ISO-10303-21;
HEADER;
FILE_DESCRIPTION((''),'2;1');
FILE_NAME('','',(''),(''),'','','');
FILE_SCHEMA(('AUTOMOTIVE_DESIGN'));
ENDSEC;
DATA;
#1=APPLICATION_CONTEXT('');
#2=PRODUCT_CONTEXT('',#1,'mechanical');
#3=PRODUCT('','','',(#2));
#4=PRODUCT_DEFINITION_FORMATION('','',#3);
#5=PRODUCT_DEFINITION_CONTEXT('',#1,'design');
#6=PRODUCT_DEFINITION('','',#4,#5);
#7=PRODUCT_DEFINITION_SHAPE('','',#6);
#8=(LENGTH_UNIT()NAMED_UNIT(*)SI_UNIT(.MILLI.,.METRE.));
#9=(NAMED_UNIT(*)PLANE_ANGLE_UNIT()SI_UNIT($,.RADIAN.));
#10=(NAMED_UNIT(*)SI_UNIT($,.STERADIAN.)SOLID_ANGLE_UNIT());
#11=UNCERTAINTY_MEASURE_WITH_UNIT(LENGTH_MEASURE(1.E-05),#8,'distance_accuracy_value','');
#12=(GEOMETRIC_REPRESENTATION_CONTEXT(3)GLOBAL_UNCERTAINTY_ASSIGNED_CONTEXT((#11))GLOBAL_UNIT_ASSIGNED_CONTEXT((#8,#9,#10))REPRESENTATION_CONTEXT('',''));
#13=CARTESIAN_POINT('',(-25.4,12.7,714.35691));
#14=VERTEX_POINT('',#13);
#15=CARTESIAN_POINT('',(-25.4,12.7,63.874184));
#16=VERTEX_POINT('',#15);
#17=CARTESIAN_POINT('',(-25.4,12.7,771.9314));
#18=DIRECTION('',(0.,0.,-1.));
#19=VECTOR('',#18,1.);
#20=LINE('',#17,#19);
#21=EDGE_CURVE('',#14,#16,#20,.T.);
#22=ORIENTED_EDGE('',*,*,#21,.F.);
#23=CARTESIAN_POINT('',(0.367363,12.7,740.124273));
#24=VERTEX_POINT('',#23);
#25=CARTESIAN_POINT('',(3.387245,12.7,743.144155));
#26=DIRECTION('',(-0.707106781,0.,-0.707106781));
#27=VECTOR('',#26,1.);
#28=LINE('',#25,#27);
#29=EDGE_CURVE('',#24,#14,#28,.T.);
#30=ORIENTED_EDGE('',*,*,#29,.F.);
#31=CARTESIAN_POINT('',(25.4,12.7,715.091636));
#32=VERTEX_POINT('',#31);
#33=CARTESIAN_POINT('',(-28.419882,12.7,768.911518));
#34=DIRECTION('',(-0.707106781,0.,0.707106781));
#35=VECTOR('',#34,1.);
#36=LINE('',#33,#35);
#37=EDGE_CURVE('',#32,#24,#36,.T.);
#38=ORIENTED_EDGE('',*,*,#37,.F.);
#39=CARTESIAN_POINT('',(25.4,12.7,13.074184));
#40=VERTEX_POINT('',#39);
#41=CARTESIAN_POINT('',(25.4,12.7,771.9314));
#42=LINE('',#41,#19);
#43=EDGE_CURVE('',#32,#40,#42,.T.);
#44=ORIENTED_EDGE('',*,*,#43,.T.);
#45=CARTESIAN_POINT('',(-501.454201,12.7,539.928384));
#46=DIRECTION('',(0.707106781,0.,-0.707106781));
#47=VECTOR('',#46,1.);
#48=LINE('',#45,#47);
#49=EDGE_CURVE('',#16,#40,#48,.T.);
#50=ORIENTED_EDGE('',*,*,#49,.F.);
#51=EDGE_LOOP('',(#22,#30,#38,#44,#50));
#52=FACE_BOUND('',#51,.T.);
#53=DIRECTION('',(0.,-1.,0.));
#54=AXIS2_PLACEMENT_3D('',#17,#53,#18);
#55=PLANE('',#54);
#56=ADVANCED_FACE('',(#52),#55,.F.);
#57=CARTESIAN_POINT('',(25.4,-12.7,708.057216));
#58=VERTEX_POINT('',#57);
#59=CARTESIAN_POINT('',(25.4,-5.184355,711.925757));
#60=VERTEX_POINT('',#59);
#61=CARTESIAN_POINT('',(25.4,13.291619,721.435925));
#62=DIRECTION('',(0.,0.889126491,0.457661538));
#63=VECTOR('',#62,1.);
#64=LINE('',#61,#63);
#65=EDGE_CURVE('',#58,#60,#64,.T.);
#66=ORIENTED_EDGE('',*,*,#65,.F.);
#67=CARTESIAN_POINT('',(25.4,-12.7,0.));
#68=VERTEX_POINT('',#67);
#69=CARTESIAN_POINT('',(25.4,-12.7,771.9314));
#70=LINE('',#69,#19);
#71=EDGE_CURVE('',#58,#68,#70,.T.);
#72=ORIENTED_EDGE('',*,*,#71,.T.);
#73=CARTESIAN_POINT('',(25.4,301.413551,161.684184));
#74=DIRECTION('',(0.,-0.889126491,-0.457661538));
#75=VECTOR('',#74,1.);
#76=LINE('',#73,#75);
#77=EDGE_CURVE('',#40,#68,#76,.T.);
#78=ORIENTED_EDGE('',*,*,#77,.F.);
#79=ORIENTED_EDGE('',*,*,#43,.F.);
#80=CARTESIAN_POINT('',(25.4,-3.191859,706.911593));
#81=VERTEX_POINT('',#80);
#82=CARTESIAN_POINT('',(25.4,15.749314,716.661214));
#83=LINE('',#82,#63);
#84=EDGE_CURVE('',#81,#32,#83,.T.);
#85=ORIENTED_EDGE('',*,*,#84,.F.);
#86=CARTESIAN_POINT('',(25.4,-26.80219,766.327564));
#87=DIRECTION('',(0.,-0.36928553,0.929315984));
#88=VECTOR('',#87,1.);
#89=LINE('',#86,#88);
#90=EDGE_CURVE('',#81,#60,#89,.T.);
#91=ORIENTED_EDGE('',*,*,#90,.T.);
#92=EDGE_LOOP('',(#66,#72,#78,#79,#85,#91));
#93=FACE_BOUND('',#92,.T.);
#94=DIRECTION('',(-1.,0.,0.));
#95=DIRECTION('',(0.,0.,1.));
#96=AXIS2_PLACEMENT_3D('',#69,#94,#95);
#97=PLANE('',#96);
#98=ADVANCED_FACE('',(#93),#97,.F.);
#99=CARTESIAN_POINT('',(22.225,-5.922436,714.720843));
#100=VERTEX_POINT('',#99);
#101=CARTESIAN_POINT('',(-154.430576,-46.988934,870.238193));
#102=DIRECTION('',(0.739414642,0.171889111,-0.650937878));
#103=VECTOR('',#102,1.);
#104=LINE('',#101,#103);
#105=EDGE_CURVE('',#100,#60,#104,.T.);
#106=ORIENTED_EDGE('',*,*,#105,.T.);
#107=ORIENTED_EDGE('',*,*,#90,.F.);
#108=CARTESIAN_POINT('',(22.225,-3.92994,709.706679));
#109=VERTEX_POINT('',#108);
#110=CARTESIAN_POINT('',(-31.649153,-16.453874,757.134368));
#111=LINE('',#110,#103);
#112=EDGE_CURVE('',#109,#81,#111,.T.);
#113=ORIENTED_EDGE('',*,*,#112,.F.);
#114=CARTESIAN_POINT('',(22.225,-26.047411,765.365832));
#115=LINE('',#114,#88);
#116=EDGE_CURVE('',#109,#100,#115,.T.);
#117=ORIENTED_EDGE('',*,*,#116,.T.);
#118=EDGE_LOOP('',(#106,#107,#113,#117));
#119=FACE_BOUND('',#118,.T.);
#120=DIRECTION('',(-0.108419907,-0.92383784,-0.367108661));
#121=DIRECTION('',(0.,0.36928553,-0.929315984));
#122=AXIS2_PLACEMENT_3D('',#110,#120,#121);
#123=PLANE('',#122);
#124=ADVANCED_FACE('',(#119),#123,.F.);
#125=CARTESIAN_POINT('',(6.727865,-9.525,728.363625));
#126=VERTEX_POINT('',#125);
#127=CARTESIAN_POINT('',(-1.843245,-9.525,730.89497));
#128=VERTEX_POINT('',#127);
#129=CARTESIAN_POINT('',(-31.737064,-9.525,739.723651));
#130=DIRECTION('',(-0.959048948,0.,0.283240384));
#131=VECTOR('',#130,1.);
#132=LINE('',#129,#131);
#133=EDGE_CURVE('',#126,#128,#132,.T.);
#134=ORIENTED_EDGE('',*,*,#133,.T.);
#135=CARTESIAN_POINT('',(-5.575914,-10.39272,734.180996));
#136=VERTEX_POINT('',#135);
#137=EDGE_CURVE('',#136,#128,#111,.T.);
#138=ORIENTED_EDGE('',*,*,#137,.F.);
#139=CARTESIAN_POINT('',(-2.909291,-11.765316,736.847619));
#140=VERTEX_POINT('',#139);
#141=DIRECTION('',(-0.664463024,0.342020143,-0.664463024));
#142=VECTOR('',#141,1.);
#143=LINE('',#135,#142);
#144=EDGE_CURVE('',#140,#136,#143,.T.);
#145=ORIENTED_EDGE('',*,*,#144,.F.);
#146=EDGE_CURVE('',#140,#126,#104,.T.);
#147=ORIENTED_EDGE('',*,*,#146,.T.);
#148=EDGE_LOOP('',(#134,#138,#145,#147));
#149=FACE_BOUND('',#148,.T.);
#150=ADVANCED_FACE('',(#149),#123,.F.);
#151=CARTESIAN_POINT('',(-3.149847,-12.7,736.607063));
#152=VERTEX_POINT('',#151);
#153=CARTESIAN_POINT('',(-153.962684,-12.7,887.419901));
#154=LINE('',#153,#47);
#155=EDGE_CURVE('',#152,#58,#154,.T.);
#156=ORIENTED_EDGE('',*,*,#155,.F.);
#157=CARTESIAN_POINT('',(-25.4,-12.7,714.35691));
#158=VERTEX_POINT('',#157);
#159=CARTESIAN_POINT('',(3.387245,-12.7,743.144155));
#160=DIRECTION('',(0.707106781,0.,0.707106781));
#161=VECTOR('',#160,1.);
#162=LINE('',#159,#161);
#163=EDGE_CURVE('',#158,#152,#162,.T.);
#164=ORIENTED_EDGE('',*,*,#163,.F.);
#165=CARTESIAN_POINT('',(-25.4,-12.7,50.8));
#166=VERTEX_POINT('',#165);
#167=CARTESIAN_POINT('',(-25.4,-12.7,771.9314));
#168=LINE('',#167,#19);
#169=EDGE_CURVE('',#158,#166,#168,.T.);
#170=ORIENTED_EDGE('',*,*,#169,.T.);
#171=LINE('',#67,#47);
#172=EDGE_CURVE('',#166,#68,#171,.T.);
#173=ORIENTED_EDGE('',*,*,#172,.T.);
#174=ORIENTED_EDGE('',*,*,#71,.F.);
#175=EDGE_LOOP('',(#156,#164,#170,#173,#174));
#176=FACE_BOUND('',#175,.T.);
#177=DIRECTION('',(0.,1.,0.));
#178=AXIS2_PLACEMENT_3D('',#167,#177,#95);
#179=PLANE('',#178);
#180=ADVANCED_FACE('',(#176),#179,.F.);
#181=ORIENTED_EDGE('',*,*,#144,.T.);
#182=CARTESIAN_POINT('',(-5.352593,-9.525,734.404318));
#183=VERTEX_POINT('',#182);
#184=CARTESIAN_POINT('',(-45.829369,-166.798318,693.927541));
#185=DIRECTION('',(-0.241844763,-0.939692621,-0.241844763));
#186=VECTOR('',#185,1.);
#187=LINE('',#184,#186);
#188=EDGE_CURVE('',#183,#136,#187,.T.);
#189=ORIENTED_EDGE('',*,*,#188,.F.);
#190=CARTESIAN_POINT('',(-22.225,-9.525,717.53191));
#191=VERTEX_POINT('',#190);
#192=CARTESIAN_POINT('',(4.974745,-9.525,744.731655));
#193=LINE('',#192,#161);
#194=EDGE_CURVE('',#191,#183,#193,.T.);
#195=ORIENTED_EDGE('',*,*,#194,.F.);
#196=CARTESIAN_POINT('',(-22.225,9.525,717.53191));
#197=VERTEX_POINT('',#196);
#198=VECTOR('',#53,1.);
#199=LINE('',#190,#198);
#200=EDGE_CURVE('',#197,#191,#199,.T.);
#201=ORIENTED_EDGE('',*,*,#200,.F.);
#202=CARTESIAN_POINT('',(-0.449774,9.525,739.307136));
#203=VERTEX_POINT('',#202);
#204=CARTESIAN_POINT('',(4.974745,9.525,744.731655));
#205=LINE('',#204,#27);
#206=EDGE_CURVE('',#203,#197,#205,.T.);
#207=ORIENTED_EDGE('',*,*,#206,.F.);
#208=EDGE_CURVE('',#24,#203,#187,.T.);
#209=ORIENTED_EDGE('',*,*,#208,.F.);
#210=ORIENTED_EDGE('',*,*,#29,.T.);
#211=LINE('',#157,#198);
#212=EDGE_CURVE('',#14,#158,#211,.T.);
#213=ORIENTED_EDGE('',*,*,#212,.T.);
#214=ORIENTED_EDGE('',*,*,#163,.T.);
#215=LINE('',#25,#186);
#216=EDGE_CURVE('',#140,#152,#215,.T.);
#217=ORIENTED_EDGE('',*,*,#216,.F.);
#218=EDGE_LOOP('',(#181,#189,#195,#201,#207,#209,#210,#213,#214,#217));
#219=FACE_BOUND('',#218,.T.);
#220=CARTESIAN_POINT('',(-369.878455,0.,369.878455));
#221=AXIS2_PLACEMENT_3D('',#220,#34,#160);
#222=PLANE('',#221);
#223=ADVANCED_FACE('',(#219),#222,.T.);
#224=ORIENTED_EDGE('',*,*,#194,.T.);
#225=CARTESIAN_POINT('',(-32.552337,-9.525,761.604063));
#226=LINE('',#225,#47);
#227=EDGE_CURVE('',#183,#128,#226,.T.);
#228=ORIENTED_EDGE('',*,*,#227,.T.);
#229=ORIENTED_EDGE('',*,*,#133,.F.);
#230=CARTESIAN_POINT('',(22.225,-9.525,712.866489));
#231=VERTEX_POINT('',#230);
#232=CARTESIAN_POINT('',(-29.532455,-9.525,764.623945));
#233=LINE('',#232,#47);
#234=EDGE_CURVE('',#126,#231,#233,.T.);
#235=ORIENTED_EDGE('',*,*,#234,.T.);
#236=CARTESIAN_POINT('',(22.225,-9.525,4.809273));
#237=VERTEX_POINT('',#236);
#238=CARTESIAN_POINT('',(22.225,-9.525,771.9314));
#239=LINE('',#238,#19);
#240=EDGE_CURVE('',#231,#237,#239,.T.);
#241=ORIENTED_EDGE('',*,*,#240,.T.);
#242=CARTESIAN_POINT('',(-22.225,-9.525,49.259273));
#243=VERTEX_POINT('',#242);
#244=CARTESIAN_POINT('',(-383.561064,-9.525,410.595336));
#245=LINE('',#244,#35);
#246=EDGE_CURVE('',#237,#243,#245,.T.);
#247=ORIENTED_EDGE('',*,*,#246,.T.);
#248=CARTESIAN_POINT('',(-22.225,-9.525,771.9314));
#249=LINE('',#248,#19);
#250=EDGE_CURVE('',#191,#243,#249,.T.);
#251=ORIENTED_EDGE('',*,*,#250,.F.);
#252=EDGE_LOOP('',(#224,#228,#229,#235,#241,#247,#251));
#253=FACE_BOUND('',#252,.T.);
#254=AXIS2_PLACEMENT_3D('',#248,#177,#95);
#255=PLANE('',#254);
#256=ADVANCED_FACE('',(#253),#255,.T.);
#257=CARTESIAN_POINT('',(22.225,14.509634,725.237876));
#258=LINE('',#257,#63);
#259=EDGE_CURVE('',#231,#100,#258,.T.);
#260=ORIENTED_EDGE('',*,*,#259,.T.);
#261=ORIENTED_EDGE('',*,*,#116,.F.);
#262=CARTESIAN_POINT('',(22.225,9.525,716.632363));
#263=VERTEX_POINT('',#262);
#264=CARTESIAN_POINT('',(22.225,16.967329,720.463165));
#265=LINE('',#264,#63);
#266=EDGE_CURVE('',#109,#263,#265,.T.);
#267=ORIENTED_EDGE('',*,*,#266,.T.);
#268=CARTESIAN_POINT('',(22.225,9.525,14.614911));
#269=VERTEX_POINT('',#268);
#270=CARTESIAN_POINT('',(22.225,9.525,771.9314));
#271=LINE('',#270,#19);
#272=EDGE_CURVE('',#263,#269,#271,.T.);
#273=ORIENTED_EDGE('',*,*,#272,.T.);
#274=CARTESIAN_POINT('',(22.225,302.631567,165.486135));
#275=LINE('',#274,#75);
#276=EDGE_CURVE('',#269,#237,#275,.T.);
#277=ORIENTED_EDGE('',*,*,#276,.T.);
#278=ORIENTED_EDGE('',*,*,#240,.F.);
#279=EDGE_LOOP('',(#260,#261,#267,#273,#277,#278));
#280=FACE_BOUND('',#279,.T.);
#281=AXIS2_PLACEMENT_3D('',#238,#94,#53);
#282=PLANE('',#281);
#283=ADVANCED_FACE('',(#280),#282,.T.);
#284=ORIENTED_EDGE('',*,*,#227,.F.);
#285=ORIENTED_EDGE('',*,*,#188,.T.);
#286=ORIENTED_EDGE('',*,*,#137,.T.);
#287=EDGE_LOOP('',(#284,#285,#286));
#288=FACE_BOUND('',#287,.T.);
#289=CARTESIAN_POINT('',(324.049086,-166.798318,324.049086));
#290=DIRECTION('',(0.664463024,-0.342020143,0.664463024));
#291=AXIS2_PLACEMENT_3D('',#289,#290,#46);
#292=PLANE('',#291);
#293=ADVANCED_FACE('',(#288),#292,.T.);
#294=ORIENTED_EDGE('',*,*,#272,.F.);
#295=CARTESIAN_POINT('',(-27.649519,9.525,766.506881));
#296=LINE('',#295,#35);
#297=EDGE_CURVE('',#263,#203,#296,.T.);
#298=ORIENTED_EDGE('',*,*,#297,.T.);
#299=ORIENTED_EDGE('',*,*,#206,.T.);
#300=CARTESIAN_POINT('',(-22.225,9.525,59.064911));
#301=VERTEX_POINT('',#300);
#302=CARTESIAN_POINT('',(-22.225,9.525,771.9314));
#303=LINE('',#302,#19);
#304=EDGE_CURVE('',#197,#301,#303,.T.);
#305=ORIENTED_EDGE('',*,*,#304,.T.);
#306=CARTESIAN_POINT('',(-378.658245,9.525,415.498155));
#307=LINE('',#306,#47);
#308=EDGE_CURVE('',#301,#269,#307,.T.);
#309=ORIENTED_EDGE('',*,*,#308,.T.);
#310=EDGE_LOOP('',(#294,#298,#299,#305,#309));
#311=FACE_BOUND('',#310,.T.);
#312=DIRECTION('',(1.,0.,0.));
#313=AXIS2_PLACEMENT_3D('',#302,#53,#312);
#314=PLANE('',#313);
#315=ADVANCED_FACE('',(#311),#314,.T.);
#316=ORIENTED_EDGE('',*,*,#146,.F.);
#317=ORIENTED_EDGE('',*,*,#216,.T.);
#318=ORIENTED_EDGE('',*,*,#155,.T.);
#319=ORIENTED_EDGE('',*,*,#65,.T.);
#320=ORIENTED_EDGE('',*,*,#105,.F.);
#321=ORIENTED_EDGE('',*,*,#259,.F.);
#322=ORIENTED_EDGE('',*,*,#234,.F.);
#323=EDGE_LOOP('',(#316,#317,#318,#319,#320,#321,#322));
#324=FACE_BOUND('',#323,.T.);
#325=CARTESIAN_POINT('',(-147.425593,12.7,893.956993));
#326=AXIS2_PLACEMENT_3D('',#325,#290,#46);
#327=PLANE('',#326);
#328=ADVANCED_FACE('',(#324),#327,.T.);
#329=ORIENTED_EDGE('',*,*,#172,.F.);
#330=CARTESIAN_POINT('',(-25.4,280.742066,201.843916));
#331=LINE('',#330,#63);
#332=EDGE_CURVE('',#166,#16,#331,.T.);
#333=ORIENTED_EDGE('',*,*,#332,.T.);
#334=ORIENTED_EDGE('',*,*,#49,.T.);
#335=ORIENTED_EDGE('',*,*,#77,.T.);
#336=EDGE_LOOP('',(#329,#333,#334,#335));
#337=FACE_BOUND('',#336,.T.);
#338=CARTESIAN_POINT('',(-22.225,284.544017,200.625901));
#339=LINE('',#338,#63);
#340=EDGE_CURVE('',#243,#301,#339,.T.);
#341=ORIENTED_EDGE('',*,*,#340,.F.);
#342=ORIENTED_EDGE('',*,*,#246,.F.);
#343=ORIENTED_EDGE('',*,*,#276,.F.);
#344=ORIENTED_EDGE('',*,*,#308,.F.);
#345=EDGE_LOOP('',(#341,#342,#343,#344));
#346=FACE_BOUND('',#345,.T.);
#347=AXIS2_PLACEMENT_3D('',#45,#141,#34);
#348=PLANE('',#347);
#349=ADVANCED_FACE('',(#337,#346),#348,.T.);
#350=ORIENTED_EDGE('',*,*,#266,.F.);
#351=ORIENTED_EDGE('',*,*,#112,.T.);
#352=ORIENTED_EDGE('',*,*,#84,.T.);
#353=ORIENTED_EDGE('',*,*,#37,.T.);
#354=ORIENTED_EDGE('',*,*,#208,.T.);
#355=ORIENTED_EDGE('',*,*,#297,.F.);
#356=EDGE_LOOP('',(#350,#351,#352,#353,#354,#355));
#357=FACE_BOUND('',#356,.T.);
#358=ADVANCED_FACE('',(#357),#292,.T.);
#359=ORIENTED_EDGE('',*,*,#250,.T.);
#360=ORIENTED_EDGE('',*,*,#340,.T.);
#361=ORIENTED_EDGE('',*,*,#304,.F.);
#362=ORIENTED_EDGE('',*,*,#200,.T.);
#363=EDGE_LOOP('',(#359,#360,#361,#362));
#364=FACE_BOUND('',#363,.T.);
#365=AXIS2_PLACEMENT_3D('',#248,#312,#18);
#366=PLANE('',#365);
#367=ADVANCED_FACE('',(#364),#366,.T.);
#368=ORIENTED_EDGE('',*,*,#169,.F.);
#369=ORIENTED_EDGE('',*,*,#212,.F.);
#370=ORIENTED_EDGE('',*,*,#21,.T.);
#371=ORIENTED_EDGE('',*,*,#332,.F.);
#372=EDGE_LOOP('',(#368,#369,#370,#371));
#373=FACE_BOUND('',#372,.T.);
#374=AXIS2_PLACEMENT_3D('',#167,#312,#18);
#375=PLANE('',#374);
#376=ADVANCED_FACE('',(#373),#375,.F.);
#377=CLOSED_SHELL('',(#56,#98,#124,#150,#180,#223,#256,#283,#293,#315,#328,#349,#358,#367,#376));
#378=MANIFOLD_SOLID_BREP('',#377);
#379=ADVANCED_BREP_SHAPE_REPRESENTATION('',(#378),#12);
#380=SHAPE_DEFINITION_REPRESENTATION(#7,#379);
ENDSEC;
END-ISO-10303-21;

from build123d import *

# Parameters (mm, degrees)
SKETCH1_W           = 50.8
SKETCH1_H           = 25.4
SKETCH1_W_2         = 44.45
SKETCH1_H_2         = 19.05
BOSS_EXTRUDE1_DEPTH = 771.9314
CUT_EXTRUDE1_DEPTH  = 773.76672179
CUT_EXTRUDE4_DEPTH  = 754.3292
CUT_EXTRUDE5_DEPTH  = 4.0132
SKETCH9_W           = 50.8
SKETCH9_H           = 21.0312
CUT_EXTRUDE7_DEPTH  = 16.8656
SKETCH10_W          = 77.733567683
SKETCH10_H          = 129.906903396
CUT_EXTRUDE8_DEPTH  = 40.64


with BuildPart() as part:
    # Sketch1 → Boss-Extrude1 (new body)
    with BuildSketch(Plane.XY):
        Rectangle(SKETCH1_W, SKETCH1_H)
        Rectangle(SKETCH1_W_2, SKETCH1_H_2, mode=Mode.SUBTRACT)
    extrude(amount=BOSS_EXTRUDE1_DEPTH)

    # Sketch2 → Cut-Extrude1 (cut, through all)
    with BuildSketch(Plane(origin=(0, 12.7, 0), x_dir=(1, 0, 0), z_dir=(0, 1, 0))):
        Polygon((25.4, 0), (-25.4, -50.8), (-25.4, 0), align=None)
        Polygon((-25.4, -771.9314), (25.4, -721.1314), (25.4, -771.9314), align=None)
    extrude(amount=-CUT_EXTRUDE1_DEPTH, mode=Mode.SUBTRACT)

    # Sketch5 → Cut-Extrude4 (cut)
    with BuildSketch(Plane(origin=(12.7, 0, -12.7), x_dir=(0, 1, 0), z_dir=(-0.7071067811865409, 0, 0.7071067811865541))):
        Polygon((12.7, -17.960512242), (12.7, -27.205356192), (-12.7, -17.960512242), align=None)
        Polygon((12.7, -527.877415309), (-12.7, -518.632571358), (-12.7, -527.877415309), align=None)
    extrude(amount=CUT_EXTRUDE4_DEPTH, mode=Mode.SUBTRACT)

    # Sketch7 → Cut-Extrude5 (cut)
    with BuildSketch(Plane(origin=(326.715708963, -168.170913211, 326.715708963), x_dir=(0.5736482337991444, -0.3364323186524704, -0.7468205934662252), z_dir=(0.6644630243886818, -0.3420201433256654, 0.6644630243886694))):
        Polygon((-595.337621849, -22.133397874), (-492.868446349, 40.706054593), (-475.594227989, 12.537844285), (-578.063403489, -50.301608182), align=None)
    extrude(amount=-CUT_EXTRUDE5_DEPTH, mode=Mode.SUBTRACT)

    # Sketch9 → Cut-Extrude7 (cut, symmetric)
    with BuildSketch(Plane(origin=(0, 0, 0), x_dir=(1, 0, 0), z_dir=(0, 1, 0))):
        with Locations((0, -755.37603578)):
            Rectangle(SKETCH9_W, SKETCH9_H)
    extrude(amount=CUT_EXTRUDE7_DEPTH, both=True, mode=Mode.SUBTRACT)

    # Sketch10 → Cut-Extrude8 (cut)
    with BuildSketch(Plane(origin=(-369.87845504, 0, 369.87845504), x_dir=(-0.7071067811865528, 0, -0.7071067811865422), z_dir=(0.7071067811865422, 0, -0.7071067811865528))):
        with Locations((-488.130578971, 23.675993241)):
            Rectangle(SKETCH10_W, SKETCH10_H)
    extrude(amount=-CUT_EXTRUDE8_DEPTH, mode=Mode.SUBTRACT)


solid = part.part
